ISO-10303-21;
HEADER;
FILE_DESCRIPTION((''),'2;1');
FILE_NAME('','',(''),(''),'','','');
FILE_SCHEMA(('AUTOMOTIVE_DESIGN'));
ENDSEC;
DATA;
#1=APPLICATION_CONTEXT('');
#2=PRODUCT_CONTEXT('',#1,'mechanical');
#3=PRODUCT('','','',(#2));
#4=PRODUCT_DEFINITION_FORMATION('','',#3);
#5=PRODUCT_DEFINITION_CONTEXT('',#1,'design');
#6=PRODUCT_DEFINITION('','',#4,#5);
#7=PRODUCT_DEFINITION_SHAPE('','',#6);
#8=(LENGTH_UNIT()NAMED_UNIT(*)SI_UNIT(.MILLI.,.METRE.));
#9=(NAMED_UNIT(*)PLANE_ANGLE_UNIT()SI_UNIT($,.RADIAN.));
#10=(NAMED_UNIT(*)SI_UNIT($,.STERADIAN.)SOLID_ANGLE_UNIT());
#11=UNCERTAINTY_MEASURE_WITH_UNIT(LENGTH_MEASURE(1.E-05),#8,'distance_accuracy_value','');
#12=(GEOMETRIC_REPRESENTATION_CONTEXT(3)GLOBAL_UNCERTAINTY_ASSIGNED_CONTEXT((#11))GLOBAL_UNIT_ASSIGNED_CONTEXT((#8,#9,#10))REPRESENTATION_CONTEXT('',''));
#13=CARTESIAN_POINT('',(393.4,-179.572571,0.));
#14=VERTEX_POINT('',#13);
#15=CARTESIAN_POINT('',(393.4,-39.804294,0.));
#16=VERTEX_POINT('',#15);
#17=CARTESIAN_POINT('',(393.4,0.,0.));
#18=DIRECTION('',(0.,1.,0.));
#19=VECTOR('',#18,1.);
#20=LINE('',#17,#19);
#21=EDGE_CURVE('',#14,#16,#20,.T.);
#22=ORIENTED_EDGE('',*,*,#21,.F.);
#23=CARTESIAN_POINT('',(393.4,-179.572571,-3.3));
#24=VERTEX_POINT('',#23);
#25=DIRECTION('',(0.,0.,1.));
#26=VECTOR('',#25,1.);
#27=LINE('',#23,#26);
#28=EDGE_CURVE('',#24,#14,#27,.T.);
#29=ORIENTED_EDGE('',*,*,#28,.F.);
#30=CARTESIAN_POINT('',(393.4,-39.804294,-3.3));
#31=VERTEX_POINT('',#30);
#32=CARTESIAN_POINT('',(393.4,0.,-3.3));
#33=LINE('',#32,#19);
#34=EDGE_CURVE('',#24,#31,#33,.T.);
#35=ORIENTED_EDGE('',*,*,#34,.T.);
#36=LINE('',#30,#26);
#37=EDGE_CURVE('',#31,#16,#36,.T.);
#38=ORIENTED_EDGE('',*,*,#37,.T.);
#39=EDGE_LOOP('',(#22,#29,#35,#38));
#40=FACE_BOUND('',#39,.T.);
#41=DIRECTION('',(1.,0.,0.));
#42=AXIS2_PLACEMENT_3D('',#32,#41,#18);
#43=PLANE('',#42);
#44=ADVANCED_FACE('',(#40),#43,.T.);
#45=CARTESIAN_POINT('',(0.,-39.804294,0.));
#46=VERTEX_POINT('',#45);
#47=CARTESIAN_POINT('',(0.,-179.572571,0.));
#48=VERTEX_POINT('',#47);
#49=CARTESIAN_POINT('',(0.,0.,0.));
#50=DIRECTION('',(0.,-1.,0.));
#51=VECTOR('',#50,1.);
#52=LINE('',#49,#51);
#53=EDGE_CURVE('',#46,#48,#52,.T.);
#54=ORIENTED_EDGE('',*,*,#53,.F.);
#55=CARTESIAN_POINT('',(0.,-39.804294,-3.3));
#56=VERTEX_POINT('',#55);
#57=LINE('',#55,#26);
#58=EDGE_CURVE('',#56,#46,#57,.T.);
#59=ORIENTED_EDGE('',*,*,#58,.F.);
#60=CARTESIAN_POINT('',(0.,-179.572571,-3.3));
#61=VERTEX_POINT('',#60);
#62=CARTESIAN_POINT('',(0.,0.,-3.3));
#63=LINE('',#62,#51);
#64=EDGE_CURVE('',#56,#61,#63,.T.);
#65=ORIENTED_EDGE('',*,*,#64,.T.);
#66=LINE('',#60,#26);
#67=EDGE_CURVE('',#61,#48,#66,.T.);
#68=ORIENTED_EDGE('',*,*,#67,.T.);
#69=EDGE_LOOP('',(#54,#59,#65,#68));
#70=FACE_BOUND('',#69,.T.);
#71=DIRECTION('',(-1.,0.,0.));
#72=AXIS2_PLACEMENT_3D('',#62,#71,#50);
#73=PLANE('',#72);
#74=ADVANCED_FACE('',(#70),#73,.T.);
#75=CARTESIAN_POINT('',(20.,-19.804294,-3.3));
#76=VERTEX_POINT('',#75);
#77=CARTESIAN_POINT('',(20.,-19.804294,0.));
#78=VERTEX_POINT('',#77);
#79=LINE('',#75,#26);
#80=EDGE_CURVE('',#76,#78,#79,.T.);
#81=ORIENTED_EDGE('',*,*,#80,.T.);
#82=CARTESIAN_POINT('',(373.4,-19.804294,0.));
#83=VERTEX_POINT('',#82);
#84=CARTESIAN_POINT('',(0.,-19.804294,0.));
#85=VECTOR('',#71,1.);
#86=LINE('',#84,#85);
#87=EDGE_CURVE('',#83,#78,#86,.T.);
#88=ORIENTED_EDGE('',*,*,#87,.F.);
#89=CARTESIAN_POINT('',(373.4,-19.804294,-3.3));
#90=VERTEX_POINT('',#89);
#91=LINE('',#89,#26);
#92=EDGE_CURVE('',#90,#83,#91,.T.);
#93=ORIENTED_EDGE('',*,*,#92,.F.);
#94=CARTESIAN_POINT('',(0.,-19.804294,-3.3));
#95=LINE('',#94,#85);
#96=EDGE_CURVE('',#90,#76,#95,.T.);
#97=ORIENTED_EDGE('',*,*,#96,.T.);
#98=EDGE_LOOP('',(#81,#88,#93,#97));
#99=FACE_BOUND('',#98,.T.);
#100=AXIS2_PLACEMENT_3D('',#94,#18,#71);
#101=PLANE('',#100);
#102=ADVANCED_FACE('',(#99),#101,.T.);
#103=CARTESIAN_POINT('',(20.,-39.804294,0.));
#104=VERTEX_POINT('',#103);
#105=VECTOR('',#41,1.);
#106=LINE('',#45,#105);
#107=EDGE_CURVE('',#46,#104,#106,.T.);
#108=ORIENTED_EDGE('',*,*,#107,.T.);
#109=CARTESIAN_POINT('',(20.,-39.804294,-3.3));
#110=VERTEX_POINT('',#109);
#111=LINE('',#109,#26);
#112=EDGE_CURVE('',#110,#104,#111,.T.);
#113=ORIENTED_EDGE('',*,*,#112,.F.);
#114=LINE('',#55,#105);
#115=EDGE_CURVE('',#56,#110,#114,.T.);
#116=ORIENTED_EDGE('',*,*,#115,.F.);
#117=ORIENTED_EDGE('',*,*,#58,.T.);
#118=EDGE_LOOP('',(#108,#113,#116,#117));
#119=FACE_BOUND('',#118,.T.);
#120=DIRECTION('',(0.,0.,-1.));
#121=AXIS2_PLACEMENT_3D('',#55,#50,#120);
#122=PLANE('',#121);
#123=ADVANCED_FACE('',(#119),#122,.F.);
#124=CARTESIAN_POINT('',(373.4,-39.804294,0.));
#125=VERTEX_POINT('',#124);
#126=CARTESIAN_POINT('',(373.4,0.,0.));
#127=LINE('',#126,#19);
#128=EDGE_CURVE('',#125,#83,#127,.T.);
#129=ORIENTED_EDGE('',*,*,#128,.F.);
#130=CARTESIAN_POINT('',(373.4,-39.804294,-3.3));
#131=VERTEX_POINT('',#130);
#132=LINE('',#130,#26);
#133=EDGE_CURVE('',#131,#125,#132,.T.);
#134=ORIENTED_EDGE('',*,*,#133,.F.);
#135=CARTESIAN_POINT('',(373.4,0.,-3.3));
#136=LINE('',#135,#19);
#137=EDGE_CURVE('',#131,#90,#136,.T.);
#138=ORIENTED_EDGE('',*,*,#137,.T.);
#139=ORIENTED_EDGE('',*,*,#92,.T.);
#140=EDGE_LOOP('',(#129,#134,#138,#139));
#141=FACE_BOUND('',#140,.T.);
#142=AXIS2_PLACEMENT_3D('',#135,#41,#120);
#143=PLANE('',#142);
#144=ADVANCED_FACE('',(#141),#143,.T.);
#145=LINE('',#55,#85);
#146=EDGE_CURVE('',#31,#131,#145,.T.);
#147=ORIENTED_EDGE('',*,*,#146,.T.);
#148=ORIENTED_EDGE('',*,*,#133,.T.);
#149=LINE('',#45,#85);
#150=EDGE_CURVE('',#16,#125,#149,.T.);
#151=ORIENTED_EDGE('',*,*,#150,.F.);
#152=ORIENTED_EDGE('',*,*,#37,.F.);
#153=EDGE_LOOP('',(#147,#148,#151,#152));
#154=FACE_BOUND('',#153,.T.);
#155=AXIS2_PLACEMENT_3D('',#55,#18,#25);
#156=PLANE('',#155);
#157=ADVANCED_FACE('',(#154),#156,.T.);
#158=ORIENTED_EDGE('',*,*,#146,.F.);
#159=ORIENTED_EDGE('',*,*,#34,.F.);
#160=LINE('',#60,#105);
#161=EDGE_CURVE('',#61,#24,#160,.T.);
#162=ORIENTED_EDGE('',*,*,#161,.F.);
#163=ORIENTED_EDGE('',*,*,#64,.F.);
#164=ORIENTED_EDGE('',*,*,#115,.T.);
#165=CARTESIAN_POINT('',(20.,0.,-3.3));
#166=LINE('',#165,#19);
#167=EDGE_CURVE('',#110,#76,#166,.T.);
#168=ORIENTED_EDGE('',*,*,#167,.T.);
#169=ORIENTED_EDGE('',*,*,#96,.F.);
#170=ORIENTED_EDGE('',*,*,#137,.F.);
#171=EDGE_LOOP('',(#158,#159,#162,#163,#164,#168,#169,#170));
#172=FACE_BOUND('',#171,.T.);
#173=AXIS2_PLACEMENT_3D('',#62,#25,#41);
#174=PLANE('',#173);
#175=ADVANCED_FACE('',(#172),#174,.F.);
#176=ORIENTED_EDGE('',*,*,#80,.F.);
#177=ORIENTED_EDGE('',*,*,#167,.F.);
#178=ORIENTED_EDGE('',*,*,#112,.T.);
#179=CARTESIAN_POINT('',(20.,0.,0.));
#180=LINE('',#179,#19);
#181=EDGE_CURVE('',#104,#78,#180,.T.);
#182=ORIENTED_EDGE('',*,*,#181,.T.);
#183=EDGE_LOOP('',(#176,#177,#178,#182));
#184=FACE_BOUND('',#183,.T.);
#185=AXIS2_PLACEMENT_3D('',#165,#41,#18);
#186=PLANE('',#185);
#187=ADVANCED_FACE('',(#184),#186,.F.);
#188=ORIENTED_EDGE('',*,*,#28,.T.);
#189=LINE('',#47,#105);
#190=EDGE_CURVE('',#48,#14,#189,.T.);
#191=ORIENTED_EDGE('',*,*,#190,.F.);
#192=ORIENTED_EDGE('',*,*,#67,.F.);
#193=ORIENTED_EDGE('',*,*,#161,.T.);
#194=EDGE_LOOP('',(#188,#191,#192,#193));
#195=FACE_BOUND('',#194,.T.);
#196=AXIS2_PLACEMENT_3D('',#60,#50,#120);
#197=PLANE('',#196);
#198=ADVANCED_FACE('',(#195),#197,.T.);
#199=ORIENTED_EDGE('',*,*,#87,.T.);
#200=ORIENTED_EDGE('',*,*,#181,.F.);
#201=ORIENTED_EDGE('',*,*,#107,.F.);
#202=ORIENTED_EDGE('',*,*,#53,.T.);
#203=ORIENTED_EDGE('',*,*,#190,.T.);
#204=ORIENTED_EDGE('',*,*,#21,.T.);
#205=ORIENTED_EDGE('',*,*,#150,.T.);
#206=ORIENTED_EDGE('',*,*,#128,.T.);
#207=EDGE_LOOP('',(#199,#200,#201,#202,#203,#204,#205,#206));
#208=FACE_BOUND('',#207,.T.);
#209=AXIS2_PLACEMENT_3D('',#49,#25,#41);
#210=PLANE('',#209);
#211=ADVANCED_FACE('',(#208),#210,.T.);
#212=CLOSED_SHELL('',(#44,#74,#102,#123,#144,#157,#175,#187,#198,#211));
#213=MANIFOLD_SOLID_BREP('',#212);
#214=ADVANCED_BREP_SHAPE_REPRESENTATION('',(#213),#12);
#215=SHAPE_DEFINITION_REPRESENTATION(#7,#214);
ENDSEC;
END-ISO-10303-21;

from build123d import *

# Parameters (mm, degrees)
SKETCH1_W           = 393.4
SKETCH1_H           = 139.768276909
SKETCH1_W_2         = 353.4
SKETCH1_H_2         = 20
BOSS_EXTRUDE1_DEPTH = 3.3


with BuildPart() as part:
    # Sketch1 → Boss-Extrude1 (new body)
    with BuildSketch(Plane.XY):
        with Locations((196.7, -109.688432202)):
            Rectangle(SKETCH1_W, SKETCH1_H)
        with Locations((196.7, -29.804293747)):
            Rectangle(SKETCH1_W_2, SKETCH1_H_2)
    extrude(amount=-BOSS_EXTRUDE1_DEPTH)


solid = part.part
